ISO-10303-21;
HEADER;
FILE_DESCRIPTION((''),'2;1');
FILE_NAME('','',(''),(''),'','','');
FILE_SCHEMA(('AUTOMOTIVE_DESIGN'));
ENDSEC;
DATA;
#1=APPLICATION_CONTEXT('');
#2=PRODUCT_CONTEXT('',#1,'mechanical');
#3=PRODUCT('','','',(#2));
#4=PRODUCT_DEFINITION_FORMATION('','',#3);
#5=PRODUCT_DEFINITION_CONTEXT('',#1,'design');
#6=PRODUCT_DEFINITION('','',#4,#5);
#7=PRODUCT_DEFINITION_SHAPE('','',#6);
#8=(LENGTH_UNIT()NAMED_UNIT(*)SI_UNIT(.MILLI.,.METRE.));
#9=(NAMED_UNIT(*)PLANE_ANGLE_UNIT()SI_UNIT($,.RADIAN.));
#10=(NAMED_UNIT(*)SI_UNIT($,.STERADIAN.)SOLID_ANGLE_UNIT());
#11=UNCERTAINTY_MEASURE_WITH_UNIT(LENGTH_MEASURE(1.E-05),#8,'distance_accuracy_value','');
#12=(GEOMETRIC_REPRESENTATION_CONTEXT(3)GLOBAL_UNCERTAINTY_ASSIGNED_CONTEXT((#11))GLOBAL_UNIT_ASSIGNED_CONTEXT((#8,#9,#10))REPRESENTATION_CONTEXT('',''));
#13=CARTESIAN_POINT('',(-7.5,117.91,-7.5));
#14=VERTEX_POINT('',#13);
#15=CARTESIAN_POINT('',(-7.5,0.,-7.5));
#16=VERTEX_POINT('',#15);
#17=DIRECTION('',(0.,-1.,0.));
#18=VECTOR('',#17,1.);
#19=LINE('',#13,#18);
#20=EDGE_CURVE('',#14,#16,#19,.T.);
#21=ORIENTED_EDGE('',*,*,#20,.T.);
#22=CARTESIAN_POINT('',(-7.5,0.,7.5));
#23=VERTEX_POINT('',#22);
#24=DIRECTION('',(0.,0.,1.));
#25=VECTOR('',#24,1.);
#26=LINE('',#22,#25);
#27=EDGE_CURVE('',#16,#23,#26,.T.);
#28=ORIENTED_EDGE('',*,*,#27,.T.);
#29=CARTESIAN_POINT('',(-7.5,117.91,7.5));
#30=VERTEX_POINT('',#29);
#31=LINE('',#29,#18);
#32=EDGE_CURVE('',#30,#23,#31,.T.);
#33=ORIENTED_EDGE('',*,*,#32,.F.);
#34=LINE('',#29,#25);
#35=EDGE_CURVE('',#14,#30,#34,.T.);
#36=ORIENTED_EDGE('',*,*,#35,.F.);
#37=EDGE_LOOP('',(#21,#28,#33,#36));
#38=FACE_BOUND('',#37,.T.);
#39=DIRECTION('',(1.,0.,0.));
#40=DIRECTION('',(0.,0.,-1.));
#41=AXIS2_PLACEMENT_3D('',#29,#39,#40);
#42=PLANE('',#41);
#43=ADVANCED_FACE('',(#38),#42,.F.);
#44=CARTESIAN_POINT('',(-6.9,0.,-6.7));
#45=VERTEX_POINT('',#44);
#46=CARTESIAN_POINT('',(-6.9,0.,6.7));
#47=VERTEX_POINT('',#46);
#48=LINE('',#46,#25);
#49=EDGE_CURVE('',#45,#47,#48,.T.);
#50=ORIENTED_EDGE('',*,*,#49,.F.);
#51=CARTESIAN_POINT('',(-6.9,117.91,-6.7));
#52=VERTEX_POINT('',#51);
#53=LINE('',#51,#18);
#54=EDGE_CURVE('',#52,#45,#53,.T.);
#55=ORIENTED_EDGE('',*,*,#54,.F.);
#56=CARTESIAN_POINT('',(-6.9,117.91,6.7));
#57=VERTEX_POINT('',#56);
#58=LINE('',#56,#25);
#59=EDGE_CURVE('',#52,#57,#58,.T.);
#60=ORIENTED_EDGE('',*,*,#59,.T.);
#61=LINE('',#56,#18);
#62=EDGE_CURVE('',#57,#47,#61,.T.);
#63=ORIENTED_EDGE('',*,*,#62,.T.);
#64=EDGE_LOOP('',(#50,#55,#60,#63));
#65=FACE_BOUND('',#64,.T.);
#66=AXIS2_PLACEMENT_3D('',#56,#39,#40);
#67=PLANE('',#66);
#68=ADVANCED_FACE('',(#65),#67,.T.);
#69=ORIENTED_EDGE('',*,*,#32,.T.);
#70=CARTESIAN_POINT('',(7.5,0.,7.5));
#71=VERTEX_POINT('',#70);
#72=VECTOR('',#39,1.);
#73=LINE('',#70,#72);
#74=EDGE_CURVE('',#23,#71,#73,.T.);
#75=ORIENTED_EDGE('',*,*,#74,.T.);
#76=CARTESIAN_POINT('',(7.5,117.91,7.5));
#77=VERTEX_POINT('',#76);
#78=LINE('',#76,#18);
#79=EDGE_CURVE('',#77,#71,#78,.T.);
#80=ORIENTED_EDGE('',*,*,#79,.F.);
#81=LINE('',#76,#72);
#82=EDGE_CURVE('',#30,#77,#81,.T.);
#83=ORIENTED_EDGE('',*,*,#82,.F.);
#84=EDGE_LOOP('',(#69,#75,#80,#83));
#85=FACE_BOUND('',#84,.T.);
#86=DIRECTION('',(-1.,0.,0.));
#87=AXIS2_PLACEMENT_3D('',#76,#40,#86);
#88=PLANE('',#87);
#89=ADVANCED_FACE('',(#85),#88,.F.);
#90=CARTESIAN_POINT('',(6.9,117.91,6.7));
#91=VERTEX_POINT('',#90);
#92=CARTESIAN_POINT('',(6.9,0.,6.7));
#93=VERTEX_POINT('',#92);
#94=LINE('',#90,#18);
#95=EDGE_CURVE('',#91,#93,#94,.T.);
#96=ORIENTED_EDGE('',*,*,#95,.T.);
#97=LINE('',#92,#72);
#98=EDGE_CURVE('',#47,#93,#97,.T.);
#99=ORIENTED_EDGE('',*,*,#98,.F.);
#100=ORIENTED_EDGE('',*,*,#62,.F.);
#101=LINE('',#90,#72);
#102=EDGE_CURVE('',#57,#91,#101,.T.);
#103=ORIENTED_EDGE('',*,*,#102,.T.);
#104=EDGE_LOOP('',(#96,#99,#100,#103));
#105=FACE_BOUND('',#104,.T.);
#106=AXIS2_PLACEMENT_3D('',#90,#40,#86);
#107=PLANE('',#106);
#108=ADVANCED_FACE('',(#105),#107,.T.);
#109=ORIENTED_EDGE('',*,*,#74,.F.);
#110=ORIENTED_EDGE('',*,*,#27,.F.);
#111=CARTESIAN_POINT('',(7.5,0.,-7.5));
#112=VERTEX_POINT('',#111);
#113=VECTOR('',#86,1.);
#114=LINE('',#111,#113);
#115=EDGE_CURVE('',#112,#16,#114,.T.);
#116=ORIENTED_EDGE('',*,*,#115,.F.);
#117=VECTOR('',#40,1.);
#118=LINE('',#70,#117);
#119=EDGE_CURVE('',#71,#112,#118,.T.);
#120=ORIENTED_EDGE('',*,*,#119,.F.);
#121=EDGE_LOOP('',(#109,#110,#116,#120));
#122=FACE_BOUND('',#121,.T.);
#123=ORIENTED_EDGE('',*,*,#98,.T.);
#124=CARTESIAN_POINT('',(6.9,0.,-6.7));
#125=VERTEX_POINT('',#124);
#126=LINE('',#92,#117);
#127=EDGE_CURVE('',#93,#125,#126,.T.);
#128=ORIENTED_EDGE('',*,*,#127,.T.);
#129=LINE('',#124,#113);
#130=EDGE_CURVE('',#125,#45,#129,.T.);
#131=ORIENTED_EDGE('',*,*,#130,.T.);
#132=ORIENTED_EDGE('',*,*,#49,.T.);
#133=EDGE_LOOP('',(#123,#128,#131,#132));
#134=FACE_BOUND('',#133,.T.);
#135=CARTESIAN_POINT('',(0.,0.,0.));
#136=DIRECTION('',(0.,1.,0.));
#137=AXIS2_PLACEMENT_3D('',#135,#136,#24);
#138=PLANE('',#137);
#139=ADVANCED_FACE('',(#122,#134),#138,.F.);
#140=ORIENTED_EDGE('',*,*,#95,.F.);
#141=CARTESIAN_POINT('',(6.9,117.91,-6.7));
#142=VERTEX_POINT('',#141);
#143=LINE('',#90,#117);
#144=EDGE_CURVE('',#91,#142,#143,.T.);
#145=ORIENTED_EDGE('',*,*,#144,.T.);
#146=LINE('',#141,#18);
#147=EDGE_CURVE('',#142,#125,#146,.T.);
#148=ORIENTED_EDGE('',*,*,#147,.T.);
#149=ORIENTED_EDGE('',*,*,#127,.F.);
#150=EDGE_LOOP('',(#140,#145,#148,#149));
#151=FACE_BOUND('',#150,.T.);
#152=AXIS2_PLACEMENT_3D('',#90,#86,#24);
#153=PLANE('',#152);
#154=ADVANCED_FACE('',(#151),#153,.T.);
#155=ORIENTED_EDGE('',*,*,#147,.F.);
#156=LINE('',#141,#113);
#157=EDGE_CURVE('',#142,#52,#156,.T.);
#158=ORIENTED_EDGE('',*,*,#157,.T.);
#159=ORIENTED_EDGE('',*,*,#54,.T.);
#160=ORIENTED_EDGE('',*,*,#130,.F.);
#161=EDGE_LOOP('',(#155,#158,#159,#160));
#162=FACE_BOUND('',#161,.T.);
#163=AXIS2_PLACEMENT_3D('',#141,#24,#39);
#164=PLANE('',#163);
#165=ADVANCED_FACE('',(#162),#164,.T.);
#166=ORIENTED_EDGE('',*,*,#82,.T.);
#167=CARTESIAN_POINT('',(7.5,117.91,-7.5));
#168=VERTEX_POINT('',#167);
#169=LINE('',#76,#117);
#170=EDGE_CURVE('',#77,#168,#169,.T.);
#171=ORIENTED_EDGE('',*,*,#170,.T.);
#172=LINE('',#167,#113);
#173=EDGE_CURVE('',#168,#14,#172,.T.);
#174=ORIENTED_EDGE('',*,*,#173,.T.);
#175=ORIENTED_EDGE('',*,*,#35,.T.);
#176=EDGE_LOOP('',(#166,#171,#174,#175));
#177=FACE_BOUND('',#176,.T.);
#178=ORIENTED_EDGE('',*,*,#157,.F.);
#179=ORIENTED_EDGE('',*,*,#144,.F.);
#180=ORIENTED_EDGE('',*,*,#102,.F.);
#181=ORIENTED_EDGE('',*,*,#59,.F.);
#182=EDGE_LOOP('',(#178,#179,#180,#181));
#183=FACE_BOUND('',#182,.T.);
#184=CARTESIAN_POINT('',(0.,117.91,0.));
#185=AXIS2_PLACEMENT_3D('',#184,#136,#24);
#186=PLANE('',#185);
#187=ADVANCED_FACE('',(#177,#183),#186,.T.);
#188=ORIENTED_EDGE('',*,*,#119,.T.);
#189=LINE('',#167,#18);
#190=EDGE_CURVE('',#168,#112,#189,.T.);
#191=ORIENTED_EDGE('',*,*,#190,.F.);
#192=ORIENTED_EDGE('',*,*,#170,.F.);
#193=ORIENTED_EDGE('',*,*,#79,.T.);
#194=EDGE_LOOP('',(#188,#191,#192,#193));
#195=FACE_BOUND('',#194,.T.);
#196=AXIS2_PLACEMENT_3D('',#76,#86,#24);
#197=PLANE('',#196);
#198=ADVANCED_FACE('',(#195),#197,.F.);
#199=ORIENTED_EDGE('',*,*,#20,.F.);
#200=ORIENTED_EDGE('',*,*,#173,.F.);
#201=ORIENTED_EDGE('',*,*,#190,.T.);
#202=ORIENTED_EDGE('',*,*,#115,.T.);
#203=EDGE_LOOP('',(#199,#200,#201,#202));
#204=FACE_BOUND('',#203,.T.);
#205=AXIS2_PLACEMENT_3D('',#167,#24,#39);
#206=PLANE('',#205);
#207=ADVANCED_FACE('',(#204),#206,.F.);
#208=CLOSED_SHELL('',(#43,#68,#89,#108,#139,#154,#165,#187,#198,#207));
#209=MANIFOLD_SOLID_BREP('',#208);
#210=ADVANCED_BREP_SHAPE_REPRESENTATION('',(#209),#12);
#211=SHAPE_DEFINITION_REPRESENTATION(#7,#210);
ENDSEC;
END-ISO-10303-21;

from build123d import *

# Parameters (mm, degrees)
SKETCH_1_W      = 15
SKETCH_1_H      = 15
SKETCH_1_W_2    = 13.8
SKETCH_1_H_2    = 13.4
EXTRUDE_1_DEPTH = 117.91


with BuildPart() as part:
    # 草图1 → 凸台-拉伸1 (new body)
    with BuildSketch(Plane(origin=(0, 0, 0), x_dir=(1, 0, 0), z_dir=(0, 1, 0))):
        Rectangle(SKETCH_1_W, SKETCH_1_H)
        Rectangle(SKETCH_1_W_2, SKETCH_1_H_2, mode=Mode.SUBTRACT)
    extrude(amount=EXTRUDE_1_DEPTH)


solid = part.part
